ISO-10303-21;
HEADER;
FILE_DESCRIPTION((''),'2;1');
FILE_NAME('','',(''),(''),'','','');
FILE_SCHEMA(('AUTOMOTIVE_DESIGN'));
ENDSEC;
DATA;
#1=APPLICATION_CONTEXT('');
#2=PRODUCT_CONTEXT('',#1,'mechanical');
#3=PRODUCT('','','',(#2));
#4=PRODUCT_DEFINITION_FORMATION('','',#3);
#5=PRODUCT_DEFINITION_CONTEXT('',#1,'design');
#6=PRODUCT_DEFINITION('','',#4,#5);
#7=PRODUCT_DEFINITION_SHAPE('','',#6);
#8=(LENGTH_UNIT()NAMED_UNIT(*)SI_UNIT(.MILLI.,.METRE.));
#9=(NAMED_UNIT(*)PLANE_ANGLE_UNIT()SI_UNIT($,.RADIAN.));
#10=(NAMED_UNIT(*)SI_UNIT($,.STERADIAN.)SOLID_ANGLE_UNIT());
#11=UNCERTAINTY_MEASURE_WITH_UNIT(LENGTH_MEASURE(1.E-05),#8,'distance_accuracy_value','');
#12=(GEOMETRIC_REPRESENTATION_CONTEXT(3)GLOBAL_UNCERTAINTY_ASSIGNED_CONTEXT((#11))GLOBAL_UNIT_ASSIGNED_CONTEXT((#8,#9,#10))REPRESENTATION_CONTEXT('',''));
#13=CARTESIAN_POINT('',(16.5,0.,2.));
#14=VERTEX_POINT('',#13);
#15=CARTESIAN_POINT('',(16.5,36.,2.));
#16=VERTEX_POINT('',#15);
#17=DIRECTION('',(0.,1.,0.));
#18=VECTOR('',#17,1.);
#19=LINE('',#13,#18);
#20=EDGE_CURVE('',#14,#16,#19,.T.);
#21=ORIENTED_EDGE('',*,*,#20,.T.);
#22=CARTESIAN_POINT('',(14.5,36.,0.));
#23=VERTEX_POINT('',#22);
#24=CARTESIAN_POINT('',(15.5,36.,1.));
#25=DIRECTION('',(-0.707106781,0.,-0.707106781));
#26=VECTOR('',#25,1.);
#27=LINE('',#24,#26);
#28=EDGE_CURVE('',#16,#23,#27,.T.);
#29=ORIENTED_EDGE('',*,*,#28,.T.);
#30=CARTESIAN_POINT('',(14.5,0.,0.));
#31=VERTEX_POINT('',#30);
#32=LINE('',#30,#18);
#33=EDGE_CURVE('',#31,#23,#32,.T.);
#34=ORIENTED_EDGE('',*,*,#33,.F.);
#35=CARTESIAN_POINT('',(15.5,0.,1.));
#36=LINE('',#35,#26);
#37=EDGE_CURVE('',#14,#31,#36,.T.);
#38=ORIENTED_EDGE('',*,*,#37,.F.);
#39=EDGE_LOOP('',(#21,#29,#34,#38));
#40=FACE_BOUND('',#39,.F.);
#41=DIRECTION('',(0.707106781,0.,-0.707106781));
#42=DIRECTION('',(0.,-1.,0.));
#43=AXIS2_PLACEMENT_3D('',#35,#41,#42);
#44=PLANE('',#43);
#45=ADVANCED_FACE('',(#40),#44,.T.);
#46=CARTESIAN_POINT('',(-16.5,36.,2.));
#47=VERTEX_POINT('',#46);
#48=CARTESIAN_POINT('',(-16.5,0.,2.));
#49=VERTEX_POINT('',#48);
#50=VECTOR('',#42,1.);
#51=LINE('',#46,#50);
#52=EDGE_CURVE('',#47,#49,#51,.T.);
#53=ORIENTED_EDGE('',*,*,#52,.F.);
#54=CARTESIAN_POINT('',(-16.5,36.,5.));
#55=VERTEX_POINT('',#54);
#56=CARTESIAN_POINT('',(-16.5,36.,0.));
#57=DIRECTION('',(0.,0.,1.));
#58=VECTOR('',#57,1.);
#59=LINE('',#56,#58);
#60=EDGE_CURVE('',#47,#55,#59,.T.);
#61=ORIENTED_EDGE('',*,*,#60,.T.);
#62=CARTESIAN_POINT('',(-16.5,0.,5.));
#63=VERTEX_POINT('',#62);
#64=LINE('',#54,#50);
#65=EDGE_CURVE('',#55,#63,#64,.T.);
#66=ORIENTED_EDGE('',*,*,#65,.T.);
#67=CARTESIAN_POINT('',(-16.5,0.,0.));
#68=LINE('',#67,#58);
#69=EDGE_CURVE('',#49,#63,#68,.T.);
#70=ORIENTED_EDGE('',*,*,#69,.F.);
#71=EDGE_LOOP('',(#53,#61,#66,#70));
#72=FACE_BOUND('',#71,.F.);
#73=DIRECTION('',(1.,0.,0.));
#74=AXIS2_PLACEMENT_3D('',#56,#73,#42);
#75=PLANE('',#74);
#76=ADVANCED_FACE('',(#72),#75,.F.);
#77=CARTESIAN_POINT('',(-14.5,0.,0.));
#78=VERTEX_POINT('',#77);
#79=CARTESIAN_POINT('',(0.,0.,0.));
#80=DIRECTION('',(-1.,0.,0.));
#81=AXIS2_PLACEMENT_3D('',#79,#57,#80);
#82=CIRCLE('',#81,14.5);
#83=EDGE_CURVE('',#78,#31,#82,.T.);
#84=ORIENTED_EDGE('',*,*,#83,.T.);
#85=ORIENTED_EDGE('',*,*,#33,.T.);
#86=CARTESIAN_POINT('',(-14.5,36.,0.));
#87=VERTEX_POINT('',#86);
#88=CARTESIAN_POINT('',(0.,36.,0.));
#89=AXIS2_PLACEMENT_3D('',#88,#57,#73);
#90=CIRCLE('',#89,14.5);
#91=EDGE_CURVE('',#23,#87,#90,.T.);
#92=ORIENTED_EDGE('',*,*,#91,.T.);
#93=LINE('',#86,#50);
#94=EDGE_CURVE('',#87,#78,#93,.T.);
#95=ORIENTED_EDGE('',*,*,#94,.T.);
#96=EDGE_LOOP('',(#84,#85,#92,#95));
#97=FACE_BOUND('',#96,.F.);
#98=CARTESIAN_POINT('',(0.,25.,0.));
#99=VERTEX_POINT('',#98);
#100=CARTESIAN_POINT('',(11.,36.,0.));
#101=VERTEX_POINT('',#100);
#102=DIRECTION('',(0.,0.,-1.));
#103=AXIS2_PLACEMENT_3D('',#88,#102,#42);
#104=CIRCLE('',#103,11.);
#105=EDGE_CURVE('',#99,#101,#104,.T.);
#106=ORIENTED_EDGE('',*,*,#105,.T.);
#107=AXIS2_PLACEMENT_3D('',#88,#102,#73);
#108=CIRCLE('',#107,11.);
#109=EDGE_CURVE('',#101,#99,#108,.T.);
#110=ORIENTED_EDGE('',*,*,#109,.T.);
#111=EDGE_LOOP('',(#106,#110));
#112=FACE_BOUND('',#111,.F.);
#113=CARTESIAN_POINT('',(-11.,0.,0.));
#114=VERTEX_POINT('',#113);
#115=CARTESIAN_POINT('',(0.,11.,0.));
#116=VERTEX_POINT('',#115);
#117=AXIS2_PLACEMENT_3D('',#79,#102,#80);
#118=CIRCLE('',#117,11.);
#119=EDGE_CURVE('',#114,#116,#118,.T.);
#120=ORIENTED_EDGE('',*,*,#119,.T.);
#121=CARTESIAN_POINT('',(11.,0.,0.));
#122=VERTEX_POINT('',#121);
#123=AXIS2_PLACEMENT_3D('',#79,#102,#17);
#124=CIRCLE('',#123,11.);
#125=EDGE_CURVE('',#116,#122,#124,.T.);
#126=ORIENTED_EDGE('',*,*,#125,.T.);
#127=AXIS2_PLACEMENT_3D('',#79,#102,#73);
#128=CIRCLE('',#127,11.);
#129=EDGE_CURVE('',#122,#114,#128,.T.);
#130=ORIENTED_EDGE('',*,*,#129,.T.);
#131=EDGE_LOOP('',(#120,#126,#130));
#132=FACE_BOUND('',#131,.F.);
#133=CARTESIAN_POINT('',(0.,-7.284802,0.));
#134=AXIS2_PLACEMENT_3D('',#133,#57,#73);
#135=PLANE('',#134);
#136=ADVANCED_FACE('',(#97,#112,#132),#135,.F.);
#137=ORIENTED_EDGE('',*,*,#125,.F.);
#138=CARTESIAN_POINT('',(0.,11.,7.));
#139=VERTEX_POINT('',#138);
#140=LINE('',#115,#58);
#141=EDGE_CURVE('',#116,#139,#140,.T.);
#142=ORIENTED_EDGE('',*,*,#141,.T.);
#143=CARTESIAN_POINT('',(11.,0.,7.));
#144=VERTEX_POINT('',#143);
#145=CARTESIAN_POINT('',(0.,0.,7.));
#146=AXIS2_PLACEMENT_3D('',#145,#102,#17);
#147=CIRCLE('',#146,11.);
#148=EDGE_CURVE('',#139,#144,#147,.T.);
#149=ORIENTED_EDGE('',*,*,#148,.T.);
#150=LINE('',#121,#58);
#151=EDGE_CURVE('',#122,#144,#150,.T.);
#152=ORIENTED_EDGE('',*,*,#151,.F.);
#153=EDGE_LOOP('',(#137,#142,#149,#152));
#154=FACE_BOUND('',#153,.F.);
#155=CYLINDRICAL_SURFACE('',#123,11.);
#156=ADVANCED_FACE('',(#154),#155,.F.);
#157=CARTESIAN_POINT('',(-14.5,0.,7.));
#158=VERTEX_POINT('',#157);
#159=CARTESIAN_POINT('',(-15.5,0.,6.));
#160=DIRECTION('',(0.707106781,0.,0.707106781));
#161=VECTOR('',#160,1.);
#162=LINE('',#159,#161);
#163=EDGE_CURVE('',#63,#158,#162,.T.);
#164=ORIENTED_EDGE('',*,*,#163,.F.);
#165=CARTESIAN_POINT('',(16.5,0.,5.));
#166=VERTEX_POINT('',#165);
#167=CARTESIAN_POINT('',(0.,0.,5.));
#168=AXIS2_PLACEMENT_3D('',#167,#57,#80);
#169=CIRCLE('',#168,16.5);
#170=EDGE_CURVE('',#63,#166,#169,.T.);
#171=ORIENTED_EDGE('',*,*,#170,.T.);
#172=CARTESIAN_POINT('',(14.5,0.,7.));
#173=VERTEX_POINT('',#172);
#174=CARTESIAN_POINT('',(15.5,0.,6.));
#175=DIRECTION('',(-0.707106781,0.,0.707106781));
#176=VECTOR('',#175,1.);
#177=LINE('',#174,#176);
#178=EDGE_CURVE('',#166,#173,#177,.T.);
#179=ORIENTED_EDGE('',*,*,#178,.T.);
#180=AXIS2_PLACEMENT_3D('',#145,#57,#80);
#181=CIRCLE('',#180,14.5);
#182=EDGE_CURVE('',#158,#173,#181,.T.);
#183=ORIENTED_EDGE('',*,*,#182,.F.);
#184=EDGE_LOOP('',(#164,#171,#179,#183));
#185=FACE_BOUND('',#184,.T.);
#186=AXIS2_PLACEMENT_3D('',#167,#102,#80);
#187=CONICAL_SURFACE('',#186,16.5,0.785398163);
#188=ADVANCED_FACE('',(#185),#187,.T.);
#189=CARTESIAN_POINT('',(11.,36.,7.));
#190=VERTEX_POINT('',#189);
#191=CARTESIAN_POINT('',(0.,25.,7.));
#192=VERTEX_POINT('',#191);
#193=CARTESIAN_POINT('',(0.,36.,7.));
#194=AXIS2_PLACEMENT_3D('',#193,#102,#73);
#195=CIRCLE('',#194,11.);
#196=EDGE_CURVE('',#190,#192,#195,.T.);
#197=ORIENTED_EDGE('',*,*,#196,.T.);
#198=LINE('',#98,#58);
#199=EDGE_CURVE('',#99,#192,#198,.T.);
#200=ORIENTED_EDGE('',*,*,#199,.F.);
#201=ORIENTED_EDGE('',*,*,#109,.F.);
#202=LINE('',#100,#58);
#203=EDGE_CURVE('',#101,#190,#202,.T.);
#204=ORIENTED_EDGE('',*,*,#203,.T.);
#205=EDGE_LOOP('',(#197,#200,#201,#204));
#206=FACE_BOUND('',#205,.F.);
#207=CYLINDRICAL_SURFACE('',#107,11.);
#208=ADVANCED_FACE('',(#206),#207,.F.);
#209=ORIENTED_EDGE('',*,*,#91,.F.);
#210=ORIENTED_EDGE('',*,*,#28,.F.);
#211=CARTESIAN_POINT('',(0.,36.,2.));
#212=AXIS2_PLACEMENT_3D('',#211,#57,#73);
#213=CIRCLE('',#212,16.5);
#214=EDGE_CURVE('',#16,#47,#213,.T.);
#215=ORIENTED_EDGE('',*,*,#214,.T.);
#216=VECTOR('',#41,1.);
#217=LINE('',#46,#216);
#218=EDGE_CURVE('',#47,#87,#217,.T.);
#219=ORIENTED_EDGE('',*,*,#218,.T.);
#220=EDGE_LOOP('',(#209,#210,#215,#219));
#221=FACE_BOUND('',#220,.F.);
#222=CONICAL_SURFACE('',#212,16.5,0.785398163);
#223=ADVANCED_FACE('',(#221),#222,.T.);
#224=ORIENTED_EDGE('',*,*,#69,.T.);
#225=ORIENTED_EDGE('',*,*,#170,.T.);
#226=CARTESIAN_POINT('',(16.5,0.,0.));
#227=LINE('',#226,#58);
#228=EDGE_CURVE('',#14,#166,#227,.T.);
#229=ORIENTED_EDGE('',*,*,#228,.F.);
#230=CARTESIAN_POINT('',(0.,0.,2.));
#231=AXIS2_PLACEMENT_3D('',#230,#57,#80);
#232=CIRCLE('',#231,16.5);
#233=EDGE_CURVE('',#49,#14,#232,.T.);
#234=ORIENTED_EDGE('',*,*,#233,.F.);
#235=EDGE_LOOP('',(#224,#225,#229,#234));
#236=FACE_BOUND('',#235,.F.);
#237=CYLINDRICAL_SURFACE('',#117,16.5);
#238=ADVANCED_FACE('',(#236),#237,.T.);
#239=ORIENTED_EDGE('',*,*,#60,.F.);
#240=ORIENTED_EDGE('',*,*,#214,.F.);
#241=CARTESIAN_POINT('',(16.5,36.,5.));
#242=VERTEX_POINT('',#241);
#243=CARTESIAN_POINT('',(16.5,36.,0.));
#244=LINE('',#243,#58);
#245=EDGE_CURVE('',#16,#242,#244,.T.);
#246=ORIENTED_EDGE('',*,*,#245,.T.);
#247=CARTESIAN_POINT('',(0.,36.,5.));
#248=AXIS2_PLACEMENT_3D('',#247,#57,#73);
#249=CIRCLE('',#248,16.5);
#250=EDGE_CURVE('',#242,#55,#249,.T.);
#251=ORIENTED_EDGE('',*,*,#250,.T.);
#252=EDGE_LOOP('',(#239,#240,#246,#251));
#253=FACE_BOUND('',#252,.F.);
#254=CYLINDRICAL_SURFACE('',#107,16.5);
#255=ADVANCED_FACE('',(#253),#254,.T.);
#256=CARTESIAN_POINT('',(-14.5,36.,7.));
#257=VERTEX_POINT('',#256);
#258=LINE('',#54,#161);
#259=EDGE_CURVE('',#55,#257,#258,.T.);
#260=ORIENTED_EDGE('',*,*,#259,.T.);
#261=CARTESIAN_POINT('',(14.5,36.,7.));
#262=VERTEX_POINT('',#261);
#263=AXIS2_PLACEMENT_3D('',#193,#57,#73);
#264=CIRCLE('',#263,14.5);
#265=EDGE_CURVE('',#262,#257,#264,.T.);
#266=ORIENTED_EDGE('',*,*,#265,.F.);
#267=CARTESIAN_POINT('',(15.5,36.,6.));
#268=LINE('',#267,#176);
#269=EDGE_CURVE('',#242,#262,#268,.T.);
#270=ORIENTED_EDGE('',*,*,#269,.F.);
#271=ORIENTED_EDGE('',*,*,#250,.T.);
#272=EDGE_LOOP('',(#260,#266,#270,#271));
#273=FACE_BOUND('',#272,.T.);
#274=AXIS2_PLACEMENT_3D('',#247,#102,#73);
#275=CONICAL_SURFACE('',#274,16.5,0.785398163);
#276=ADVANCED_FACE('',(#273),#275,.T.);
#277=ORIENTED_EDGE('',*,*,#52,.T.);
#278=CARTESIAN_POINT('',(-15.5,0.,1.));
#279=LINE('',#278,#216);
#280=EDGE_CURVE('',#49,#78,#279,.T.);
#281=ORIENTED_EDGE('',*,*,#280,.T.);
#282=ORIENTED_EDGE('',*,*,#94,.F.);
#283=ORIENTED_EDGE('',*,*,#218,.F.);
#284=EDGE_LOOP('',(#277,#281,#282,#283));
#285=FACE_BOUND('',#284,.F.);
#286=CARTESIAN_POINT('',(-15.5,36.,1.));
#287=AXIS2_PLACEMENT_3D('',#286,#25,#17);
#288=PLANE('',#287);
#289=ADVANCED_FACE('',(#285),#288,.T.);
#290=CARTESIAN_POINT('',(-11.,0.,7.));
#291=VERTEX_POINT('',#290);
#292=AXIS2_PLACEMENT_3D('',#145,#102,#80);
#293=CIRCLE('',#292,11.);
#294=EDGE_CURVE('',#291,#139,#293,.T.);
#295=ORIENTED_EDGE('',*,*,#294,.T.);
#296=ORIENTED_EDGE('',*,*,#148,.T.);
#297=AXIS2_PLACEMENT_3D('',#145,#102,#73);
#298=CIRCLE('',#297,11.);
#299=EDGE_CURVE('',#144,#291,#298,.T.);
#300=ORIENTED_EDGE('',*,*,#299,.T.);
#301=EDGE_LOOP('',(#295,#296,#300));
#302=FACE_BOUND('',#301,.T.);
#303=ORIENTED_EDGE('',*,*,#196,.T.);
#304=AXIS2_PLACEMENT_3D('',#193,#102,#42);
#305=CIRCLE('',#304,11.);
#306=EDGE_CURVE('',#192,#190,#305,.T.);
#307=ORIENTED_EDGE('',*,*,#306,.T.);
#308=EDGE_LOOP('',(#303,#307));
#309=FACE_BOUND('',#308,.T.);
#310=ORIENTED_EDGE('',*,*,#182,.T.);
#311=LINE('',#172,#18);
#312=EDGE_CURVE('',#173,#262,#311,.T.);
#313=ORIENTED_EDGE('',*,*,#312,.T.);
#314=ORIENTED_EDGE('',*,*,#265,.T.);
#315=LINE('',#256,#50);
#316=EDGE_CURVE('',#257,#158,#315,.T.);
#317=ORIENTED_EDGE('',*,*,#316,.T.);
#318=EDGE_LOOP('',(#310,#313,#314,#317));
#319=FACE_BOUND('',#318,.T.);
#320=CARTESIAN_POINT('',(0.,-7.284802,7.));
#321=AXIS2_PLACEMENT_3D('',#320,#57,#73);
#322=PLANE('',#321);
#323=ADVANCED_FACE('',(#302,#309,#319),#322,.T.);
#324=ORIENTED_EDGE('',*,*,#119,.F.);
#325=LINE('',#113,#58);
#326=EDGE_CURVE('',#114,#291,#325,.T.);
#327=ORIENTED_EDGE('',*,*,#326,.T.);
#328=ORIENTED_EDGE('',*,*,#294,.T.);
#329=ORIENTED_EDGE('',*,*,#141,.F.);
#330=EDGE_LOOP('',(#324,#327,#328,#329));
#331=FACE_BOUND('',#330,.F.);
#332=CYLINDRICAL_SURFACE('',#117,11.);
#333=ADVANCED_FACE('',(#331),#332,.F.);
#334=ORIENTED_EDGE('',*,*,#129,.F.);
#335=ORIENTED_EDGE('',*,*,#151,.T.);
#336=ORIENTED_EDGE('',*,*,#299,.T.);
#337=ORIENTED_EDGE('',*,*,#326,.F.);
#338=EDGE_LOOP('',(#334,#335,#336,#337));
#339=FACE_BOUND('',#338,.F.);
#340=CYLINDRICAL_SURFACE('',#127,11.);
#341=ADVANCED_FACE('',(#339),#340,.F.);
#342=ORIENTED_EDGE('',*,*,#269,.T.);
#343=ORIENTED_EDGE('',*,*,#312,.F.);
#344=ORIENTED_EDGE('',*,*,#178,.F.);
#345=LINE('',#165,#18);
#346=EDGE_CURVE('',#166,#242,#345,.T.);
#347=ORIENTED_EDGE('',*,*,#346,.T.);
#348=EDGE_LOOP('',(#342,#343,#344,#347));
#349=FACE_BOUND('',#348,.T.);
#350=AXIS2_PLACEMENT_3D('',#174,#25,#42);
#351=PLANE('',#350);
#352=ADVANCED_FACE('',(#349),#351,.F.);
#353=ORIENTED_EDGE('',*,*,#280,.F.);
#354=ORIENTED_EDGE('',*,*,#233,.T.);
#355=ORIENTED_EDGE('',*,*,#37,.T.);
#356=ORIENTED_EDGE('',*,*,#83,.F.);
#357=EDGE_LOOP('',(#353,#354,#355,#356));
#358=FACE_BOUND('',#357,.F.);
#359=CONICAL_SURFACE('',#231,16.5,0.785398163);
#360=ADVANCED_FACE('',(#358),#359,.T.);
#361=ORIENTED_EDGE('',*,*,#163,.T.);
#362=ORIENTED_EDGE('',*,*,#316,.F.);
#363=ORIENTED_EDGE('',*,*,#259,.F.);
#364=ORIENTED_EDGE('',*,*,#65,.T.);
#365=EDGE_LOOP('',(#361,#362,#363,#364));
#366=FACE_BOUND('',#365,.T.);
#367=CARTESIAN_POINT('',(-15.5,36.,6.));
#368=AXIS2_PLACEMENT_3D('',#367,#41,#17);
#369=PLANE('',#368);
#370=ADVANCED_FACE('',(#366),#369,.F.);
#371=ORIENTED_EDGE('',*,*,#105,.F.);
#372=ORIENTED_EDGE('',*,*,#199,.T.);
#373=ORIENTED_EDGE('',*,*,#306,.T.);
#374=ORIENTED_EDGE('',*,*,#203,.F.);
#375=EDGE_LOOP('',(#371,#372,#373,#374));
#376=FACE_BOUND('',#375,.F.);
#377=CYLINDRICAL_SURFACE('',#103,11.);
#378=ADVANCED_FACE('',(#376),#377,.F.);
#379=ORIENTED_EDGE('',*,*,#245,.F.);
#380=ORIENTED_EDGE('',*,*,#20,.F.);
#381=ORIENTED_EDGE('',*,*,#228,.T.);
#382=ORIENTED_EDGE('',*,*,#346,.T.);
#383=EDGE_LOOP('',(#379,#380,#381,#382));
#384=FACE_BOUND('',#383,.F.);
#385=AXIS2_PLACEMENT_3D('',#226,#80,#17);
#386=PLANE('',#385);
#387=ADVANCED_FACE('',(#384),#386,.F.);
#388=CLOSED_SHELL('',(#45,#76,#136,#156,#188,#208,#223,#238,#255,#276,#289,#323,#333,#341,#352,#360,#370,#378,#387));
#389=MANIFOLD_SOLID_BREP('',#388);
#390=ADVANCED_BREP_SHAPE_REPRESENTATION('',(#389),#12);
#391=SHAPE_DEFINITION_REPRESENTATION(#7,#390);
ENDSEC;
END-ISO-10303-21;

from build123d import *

# Parameters (mm, degrees)
F1_DEPTH = 7
F2_SIZE  = 2


with BuildPart() as f1:
    # F0 (on Top) → F1 (new body)
    with BuildSketch(Plane.XY):
        with BuildLine():
            Line((16.5, 0), (11, 0))
            ThreePointArc((11, 0), (0, -11), (-11, 0))
            Line((-11, 0), (-16.5, 0))
            ThreePointArc((-16.5, 0), (0, -16.5), (16.5, 0))
        make_face()
        with BuildLine():
            ThreePointArc((0, 11), (7.7781745931, 7.7781745931), (11, 0))
            Line((11, 0), (16.5, 0))
            ThreePointArc((16.5, 0), (11.6672618896, 11.6672618896), (0, 16.5))
            Line((0, 16.5), (0, 11))
        make_face()
        with BuildLine():
            ThreePointArc((-11, 0), (-7.7781745931, 7.7781745931), (0, 11))
            Line((0, 11), (0, 16.5))
            ThreePointArc((0, 16.5), (-11.6672618896, 11.6672618896), (-16.5, 0))
            Line((-16.5, 0), (-11, 0))
        make_face()
        with BuildLine():
            ThreePointArc((0, 16.5), (11.6672618896, 11.6672618896), (16.5, 0))
            Line((16.5, 0), (16.5, 36))
            ThreePointArc((16.5, 36), (11.6672618896, 24.3327381104), (0, 19.5))
            Line((0, 19.5), (0, 16.5))
        make_face()
        with BuildLine():
            ThreePointArc((-16.5, 0), (-11.6672618896, 11.6672618896), (0, 16.5))
            Line((0, 16.5), (0, 19.5))
            ThreePointArc((0, 19.5), (-11.6672618896, 24.3327381104), (-16.5, 36))
            Line((-16.5, 36), (-16.5, 0))
        make_face()
        with BuildLine():
            ThreePointArc((0, 19.5), (11.6672618896, 24.3327381104), (16.5, 36))
            ThreePointArc((16.5, 36), (0, 52.5), (-16.5, 36))
            ThreePointArc((-16.5, 36), (-11.6672618896, 24.3327381104), (0, 19.5))
        make_face()
        with BuildLine():
            ThreePointArc((11, 36), (7.7781745931, 28.2218254069), (0, 25))
            ThreePointArc((0, 25), (-7.7781745931, 43.7781745931), (11, 36))
        make_face(mode=Mode.SUBTRACT)
    extrude(amount=F1_DEPTH)

    # F2
    f2_edges = [f1.edges().sort_by_distance(p)[0] for p in [
        (16.5, 18, 0),
        (16.5, 18, 7),
    ]]
    chamfer(f2_edges, length=F2_SIZE)


solid = f1.part
